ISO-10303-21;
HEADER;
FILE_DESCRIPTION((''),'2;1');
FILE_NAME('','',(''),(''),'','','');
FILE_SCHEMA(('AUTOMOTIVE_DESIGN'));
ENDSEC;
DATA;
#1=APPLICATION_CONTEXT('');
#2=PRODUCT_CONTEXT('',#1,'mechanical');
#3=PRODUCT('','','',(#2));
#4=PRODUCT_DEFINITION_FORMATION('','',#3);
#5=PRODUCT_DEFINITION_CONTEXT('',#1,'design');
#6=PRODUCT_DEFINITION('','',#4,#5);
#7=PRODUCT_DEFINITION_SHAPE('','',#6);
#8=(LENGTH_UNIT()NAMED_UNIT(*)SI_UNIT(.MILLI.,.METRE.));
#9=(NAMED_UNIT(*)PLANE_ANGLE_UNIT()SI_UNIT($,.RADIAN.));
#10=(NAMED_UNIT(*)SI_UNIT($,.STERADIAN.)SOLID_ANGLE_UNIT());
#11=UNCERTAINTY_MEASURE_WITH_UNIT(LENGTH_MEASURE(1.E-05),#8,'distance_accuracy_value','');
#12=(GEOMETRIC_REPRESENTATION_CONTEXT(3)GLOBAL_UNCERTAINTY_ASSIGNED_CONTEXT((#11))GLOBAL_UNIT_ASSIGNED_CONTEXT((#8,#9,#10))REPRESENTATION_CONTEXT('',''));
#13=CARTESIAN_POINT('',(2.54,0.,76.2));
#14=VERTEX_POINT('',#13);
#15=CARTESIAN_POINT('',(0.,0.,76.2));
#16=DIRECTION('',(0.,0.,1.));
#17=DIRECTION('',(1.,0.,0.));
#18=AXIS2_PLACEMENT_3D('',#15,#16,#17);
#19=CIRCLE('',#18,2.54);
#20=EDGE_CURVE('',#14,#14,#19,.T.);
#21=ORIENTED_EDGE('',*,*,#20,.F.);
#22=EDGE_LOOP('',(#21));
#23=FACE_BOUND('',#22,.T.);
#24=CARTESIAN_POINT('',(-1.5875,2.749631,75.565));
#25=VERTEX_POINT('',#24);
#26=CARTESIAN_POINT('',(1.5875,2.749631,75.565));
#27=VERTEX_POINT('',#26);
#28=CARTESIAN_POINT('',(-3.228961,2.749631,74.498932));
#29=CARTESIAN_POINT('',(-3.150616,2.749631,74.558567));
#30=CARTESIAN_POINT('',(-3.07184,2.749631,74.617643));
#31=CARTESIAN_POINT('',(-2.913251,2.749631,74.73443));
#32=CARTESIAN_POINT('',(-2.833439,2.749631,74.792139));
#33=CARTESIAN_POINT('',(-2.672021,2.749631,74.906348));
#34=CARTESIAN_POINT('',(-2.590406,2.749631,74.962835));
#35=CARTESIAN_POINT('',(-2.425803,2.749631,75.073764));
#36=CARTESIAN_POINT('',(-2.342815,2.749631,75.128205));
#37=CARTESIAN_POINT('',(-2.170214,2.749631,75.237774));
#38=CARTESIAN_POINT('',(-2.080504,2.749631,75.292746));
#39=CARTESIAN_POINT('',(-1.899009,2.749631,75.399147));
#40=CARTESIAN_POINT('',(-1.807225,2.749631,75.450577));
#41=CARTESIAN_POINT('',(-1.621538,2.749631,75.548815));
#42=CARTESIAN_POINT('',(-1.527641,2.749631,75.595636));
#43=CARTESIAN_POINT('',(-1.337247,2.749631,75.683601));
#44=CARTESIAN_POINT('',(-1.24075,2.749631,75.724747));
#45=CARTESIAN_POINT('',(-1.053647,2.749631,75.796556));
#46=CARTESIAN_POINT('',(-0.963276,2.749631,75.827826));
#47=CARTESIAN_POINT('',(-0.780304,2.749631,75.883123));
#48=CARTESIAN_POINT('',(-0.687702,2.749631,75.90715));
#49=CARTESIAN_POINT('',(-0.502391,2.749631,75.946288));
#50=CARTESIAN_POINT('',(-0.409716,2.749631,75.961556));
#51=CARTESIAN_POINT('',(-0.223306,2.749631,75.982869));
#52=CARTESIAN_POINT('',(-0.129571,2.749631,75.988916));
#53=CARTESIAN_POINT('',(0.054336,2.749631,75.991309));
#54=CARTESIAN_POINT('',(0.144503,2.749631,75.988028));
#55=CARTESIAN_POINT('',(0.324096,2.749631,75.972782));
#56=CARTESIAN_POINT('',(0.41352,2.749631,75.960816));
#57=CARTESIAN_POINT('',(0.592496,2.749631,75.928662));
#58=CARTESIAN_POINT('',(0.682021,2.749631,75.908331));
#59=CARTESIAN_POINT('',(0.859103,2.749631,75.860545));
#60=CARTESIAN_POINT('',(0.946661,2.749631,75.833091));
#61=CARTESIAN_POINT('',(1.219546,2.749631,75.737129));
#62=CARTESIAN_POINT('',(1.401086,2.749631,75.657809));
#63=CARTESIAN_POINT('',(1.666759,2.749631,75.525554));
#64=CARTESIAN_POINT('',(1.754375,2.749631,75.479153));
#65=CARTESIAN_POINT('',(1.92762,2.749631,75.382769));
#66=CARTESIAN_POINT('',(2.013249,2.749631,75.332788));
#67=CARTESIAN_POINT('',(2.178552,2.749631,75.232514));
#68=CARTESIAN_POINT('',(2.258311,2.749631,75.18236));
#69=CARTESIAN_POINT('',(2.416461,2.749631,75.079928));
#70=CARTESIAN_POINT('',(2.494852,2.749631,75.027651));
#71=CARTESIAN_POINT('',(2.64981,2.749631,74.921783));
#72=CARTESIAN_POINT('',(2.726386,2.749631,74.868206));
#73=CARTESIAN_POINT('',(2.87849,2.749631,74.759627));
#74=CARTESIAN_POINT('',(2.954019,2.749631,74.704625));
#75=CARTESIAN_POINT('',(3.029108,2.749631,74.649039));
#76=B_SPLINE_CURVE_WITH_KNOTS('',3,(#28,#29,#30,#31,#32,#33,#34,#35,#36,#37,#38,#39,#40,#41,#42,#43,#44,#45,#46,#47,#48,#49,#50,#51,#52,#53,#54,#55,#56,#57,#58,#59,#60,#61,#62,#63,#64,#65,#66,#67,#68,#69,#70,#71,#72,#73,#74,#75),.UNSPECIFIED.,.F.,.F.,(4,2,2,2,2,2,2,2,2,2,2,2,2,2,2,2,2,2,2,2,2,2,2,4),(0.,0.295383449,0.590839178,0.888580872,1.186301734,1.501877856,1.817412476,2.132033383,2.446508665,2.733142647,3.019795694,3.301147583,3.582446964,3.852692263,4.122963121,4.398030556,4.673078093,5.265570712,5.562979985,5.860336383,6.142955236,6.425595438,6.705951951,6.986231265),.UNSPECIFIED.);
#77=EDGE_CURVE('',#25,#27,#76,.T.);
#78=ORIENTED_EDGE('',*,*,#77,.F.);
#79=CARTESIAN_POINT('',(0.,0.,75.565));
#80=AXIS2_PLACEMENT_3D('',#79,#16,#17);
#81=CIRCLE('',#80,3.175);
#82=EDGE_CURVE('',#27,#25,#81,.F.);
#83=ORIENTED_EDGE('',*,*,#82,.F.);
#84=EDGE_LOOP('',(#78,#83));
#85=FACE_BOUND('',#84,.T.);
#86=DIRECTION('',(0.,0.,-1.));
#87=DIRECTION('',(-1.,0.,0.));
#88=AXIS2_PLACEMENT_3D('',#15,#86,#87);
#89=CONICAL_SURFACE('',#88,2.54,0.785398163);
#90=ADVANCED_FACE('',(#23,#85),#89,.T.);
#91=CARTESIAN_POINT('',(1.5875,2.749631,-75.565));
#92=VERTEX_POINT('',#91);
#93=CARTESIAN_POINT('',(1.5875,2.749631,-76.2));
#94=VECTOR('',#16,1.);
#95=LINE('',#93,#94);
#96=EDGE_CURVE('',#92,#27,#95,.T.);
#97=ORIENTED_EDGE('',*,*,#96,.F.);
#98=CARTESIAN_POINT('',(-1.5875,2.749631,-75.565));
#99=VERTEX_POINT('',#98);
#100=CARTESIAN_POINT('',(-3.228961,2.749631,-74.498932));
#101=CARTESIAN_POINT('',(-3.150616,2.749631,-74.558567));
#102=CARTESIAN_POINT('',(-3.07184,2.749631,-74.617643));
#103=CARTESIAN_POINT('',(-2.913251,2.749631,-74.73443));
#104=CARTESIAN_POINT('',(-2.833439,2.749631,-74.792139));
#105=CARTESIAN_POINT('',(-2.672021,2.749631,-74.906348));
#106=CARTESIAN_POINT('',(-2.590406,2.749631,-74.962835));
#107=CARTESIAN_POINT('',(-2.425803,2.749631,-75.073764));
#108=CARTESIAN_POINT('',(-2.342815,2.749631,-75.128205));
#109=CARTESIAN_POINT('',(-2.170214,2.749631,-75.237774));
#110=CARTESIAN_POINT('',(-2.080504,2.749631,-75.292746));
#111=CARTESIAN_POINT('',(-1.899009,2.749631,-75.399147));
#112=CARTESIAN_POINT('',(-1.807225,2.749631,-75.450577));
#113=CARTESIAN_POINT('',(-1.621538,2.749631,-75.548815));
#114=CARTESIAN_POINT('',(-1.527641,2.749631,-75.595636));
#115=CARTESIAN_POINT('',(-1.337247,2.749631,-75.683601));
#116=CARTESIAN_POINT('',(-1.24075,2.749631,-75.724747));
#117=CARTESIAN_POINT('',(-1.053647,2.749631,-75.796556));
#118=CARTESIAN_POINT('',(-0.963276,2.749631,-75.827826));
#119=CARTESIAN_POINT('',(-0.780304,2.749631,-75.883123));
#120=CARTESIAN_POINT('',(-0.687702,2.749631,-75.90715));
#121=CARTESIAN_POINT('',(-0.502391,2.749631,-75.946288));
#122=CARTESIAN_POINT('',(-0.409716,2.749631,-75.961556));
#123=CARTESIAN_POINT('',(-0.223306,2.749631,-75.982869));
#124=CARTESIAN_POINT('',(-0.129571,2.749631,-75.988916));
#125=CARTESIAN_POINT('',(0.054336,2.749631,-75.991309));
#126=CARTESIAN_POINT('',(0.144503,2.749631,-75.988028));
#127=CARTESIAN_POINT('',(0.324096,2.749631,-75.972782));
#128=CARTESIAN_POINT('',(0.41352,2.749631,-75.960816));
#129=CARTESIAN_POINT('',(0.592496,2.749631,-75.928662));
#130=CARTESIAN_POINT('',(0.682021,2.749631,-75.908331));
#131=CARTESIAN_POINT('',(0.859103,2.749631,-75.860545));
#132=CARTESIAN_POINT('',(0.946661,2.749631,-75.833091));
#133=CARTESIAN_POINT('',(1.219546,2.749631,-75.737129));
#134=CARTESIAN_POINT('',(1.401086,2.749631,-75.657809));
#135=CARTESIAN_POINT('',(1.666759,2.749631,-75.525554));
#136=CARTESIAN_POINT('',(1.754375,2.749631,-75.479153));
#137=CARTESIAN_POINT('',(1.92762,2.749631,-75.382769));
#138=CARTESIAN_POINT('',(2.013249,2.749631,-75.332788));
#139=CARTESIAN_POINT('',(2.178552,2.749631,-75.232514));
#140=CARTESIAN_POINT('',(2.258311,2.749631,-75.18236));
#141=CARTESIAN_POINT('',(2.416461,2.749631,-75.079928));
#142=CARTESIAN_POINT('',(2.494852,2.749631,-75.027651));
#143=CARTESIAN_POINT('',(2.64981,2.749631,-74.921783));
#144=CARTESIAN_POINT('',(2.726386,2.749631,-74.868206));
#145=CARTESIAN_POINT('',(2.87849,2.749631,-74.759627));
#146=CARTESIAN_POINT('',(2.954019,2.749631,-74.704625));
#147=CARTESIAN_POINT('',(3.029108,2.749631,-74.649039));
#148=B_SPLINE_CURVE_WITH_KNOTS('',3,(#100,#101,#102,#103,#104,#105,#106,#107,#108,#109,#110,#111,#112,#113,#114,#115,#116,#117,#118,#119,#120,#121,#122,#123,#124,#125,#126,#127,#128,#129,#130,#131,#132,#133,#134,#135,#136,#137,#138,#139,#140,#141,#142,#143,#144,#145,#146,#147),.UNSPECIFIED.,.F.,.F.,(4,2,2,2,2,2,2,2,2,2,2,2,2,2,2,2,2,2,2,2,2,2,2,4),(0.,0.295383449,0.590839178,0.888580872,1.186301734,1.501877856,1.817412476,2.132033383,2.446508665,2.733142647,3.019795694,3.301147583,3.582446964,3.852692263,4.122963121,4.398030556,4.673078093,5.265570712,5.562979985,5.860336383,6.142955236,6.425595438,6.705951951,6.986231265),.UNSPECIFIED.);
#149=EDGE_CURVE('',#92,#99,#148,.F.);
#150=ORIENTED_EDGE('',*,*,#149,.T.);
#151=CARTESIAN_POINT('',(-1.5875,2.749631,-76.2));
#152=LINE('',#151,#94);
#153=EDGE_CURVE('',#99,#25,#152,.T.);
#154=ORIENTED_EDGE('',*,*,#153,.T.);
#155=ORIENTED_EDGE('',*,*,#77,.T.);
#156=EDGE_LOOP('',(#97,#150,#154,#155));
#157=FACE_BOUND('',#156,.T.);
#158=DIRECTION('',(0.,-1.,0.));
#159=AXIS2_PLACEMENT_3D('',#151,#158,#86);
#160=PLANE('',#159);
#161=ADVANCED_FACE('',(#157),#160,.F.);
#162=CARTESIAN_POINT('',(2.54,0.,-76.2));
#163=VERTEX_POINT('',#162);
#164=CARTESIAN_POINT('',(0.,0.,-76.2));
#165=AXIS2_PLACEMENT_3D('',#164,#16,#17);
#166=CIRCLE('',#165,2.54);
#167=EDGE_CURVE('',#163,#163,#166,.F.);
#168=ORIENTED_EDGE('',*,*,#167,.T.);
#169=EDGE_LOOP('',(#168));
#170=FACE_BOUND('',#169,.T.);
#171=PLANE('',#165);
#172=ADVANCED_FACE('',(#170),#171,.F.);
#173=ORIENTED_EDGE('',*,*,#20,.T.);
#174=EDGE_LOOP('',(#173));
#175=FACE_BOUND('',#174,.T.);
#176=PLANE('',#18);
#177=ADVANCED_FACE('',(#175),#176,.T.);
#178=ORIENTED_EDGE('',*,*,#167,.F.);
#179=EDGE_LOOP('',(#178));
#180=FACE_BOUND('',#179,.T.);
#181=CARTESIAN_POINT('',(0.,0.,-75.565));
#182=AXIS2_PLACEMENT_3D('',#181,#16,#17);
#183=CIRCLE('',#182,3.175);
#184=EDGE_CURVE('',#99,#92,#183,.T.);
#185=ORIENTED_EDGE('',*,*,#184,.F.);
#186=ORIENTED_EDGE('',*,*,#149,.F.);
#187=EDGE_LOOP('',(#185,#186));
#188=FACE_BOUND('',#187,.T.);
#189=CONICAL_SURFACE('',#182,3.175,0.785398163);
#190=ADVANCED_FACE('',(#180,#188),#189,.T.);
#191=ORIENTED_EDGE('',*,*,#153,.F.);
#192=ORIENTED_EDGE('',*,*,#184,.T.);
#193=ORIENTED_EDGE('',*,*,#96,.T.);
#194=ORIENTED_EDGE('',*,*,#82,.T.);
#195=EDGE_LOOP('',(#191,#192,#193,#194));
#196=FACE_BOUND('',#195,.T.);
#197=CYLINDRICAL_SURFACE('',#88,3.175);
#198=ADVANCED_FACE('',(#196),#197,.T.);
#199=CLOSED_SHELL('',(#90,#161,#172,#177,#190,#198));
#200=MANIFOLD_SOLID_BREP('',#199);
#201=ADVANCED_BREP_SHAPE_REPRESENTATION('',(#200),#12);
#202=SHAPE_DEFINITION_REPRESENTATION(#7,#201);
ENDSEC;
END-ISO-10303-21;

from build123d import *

# Parameters (mm, degrees)
SKETCH1_R           = 3.175
EXTRUDE1_DEPTH      = 76.2
CHAMFER1_SIZE       = 0.635
EXTRUDE7_DEPTH      = 77.2
EXTRUDE7_DEPTH_BACK = 77.2


with BuildPart() as part:
    # Sketch1 → Extrude1 (new body, symmetric)
    with BuildSketch(Plane.XY):
        Circle(SKETCH1_R)
    extrude(amount=EXTRUDE1_DEPTH, both=True)

    # Chamfer1
    chamfer1_edges = [part.edges().sort_by_distance(p)[0] for p in [
        (-3.175, 0, -76.2),
        (-3.175, 0, 76.2),
    ]]
    chamfer(chamfer1_edges, length=CHAMFER1_SIZE)

    # Sketch13 → Extrude7 (cut, two sides)
    with BuildSketch(Plane.XY) as extrude7_sk:
        with BuildLine():
            Line((-1.5875, 2.749630657), (1.5875, 2.749630657))
            ThreePointArc((1.5875, 2.749630657), (0, 3.175), (-1.5875, 2.749630657))
        make_face()
    extrude(amount=EXTRUDE7_DEPTH, mode=Mode.SUBTRACT)
    extrude(extrude7_sk.sketch, amount=-EXTRUDE7_DEPTH_BACK, mode=Mode.SUBTRACT)


solid = part.part
